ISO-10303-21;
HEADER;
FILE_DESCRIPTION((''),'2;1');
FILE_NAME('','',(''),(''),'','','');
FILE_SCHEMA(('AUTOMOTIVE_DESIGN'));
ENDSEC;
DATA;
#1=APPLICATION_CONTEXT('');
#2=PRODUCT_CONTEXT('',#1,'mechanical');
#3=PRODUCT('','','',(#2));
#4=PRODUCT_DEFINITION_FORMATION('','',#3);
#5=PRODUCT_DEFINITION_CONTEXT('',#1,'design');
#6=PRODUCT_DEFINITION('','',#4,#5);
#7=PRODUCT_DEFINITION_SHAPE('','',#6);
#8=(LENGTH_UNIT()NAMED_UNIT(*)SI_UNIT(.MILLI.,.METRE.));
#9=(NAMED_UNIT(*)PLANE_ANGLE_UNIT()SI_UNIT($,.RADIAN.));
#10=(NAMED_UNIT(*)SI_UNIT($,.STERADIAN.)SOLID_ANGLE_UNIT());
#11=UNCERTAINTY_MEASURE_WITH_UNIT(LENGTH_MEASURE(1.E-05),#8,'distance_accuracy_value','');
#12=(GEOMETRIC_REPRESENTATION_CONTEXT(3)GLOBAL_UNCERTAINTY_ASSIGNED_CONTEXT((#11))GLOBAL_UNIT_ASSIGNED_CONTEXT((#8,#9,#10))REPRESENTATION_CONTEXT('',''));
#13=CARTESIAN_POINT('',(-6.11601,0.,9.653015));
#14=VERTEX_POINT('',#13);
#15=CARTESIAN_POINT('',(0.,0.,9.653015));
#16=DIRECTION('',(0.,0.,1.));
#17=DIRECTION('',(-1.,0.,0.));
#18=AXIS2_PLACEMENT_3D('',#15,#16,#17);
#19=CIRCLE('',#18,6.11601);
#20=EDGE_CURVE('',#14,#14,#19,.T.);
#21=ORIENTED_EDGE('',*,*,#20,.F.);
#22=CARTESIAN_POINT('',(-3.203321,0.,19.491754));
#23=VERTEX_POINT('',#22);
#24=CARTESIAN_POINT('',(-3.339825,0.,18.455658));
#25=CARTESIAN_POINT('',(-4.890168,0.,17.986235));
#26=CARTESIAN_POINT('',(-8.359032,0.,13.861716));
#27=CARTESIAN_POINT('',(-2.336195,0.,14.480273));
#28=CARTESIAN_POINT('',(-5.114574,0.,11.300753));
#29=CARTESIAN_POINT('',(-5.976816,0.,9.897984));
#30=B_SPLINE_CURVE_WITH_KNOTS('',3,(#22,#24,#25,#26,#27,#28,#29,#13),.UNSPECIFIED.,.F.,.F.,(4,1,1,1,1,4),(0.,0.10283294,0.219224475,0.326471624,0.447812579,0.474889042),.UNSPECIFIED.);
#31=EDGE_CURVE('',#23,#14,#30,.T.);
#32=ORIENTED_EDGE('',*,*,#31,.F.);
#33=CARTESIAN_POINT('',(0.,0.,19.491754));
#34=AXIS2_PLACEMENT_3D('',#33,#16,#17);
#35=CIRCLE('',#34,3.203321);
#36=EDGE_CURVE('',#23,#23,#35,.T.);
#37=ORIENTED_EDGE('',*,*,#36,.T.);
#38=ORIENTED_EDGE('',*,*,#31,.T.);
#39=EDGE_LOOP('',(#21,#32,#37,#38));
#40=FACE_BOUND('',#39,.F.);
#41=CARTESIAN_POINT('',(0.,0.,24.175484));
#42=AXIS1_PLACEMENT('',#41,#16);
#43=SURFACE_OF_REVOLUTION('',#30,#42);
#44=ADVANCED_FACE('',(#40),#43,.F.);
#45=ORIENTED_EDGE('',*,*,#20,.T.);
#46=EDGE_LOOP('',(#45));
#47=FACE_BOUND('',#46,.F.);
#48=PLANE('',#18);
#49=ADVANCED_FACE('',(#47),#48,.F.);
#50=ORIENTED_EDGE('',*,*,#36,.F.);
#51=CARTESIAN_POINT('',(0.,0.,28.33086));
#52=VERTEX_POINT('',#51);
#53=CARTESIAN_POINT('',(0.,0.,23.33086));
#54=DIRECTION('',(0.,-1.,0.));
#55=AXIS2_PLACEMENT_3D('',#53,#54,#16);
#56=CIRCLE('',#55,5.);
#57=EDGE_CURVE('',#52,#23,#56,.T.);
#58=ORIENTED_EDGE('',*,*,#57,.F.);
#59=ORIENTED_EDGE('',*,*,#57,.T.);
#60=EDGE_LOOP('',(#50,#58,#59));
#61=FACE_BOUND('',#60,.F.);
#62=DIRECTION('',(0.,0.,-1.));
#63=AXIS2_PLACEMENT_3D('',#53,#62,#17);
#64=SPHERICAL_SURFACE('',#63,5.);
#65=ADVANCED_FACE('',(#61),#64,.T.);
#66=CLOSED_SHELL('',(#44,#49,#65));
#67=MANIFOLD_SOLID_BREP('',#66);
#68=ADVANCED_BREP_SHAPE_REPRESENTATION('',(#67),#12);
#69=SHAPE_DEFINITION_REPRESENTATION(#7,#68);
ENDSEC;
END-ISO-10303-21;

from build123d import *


with BuildPart() as f2:
    # F0 (on Front) → F2 (revolve)
    with BuildSketch(Plane.XZ):
        with BuildLine():
            Line((0, 9.6530151585), (0, 28.3308600206))
            ThreePointArc((0, 28.3308600206), (-4.7008260459, 25.0344545985), (-3.2033207053, 19.4917538149))
            add(Edge.make_bspline(
                [(-3.2033207053, 19.4917538149), (-3.3398245082, 18.4556584373), (-4.8901677955, 17.9862345942), (-8.3590320005, 13.8617155693), (-2.3361952478, 14.4802734736), (-5.1145738784, 11.3007533475), (-5.9768163645, 9.8979837727), (-6.11601, 9.6530151585)],
                knots=[0, 0, 0, 0, 0.1028329403, 0.2192244746, 0.3264716242, 0.4478125789, 0.4748890417, 0.4748890417, 0.4748890417, 0.4748890417], degree=3))
            Line((-6.11601, 9.6530151585), (0, 9.6530151585))
        make_face()
    revolve(axis=Axis((0, 0, 24.1754837334), (0, 0, 1)))


solid = f2.part
